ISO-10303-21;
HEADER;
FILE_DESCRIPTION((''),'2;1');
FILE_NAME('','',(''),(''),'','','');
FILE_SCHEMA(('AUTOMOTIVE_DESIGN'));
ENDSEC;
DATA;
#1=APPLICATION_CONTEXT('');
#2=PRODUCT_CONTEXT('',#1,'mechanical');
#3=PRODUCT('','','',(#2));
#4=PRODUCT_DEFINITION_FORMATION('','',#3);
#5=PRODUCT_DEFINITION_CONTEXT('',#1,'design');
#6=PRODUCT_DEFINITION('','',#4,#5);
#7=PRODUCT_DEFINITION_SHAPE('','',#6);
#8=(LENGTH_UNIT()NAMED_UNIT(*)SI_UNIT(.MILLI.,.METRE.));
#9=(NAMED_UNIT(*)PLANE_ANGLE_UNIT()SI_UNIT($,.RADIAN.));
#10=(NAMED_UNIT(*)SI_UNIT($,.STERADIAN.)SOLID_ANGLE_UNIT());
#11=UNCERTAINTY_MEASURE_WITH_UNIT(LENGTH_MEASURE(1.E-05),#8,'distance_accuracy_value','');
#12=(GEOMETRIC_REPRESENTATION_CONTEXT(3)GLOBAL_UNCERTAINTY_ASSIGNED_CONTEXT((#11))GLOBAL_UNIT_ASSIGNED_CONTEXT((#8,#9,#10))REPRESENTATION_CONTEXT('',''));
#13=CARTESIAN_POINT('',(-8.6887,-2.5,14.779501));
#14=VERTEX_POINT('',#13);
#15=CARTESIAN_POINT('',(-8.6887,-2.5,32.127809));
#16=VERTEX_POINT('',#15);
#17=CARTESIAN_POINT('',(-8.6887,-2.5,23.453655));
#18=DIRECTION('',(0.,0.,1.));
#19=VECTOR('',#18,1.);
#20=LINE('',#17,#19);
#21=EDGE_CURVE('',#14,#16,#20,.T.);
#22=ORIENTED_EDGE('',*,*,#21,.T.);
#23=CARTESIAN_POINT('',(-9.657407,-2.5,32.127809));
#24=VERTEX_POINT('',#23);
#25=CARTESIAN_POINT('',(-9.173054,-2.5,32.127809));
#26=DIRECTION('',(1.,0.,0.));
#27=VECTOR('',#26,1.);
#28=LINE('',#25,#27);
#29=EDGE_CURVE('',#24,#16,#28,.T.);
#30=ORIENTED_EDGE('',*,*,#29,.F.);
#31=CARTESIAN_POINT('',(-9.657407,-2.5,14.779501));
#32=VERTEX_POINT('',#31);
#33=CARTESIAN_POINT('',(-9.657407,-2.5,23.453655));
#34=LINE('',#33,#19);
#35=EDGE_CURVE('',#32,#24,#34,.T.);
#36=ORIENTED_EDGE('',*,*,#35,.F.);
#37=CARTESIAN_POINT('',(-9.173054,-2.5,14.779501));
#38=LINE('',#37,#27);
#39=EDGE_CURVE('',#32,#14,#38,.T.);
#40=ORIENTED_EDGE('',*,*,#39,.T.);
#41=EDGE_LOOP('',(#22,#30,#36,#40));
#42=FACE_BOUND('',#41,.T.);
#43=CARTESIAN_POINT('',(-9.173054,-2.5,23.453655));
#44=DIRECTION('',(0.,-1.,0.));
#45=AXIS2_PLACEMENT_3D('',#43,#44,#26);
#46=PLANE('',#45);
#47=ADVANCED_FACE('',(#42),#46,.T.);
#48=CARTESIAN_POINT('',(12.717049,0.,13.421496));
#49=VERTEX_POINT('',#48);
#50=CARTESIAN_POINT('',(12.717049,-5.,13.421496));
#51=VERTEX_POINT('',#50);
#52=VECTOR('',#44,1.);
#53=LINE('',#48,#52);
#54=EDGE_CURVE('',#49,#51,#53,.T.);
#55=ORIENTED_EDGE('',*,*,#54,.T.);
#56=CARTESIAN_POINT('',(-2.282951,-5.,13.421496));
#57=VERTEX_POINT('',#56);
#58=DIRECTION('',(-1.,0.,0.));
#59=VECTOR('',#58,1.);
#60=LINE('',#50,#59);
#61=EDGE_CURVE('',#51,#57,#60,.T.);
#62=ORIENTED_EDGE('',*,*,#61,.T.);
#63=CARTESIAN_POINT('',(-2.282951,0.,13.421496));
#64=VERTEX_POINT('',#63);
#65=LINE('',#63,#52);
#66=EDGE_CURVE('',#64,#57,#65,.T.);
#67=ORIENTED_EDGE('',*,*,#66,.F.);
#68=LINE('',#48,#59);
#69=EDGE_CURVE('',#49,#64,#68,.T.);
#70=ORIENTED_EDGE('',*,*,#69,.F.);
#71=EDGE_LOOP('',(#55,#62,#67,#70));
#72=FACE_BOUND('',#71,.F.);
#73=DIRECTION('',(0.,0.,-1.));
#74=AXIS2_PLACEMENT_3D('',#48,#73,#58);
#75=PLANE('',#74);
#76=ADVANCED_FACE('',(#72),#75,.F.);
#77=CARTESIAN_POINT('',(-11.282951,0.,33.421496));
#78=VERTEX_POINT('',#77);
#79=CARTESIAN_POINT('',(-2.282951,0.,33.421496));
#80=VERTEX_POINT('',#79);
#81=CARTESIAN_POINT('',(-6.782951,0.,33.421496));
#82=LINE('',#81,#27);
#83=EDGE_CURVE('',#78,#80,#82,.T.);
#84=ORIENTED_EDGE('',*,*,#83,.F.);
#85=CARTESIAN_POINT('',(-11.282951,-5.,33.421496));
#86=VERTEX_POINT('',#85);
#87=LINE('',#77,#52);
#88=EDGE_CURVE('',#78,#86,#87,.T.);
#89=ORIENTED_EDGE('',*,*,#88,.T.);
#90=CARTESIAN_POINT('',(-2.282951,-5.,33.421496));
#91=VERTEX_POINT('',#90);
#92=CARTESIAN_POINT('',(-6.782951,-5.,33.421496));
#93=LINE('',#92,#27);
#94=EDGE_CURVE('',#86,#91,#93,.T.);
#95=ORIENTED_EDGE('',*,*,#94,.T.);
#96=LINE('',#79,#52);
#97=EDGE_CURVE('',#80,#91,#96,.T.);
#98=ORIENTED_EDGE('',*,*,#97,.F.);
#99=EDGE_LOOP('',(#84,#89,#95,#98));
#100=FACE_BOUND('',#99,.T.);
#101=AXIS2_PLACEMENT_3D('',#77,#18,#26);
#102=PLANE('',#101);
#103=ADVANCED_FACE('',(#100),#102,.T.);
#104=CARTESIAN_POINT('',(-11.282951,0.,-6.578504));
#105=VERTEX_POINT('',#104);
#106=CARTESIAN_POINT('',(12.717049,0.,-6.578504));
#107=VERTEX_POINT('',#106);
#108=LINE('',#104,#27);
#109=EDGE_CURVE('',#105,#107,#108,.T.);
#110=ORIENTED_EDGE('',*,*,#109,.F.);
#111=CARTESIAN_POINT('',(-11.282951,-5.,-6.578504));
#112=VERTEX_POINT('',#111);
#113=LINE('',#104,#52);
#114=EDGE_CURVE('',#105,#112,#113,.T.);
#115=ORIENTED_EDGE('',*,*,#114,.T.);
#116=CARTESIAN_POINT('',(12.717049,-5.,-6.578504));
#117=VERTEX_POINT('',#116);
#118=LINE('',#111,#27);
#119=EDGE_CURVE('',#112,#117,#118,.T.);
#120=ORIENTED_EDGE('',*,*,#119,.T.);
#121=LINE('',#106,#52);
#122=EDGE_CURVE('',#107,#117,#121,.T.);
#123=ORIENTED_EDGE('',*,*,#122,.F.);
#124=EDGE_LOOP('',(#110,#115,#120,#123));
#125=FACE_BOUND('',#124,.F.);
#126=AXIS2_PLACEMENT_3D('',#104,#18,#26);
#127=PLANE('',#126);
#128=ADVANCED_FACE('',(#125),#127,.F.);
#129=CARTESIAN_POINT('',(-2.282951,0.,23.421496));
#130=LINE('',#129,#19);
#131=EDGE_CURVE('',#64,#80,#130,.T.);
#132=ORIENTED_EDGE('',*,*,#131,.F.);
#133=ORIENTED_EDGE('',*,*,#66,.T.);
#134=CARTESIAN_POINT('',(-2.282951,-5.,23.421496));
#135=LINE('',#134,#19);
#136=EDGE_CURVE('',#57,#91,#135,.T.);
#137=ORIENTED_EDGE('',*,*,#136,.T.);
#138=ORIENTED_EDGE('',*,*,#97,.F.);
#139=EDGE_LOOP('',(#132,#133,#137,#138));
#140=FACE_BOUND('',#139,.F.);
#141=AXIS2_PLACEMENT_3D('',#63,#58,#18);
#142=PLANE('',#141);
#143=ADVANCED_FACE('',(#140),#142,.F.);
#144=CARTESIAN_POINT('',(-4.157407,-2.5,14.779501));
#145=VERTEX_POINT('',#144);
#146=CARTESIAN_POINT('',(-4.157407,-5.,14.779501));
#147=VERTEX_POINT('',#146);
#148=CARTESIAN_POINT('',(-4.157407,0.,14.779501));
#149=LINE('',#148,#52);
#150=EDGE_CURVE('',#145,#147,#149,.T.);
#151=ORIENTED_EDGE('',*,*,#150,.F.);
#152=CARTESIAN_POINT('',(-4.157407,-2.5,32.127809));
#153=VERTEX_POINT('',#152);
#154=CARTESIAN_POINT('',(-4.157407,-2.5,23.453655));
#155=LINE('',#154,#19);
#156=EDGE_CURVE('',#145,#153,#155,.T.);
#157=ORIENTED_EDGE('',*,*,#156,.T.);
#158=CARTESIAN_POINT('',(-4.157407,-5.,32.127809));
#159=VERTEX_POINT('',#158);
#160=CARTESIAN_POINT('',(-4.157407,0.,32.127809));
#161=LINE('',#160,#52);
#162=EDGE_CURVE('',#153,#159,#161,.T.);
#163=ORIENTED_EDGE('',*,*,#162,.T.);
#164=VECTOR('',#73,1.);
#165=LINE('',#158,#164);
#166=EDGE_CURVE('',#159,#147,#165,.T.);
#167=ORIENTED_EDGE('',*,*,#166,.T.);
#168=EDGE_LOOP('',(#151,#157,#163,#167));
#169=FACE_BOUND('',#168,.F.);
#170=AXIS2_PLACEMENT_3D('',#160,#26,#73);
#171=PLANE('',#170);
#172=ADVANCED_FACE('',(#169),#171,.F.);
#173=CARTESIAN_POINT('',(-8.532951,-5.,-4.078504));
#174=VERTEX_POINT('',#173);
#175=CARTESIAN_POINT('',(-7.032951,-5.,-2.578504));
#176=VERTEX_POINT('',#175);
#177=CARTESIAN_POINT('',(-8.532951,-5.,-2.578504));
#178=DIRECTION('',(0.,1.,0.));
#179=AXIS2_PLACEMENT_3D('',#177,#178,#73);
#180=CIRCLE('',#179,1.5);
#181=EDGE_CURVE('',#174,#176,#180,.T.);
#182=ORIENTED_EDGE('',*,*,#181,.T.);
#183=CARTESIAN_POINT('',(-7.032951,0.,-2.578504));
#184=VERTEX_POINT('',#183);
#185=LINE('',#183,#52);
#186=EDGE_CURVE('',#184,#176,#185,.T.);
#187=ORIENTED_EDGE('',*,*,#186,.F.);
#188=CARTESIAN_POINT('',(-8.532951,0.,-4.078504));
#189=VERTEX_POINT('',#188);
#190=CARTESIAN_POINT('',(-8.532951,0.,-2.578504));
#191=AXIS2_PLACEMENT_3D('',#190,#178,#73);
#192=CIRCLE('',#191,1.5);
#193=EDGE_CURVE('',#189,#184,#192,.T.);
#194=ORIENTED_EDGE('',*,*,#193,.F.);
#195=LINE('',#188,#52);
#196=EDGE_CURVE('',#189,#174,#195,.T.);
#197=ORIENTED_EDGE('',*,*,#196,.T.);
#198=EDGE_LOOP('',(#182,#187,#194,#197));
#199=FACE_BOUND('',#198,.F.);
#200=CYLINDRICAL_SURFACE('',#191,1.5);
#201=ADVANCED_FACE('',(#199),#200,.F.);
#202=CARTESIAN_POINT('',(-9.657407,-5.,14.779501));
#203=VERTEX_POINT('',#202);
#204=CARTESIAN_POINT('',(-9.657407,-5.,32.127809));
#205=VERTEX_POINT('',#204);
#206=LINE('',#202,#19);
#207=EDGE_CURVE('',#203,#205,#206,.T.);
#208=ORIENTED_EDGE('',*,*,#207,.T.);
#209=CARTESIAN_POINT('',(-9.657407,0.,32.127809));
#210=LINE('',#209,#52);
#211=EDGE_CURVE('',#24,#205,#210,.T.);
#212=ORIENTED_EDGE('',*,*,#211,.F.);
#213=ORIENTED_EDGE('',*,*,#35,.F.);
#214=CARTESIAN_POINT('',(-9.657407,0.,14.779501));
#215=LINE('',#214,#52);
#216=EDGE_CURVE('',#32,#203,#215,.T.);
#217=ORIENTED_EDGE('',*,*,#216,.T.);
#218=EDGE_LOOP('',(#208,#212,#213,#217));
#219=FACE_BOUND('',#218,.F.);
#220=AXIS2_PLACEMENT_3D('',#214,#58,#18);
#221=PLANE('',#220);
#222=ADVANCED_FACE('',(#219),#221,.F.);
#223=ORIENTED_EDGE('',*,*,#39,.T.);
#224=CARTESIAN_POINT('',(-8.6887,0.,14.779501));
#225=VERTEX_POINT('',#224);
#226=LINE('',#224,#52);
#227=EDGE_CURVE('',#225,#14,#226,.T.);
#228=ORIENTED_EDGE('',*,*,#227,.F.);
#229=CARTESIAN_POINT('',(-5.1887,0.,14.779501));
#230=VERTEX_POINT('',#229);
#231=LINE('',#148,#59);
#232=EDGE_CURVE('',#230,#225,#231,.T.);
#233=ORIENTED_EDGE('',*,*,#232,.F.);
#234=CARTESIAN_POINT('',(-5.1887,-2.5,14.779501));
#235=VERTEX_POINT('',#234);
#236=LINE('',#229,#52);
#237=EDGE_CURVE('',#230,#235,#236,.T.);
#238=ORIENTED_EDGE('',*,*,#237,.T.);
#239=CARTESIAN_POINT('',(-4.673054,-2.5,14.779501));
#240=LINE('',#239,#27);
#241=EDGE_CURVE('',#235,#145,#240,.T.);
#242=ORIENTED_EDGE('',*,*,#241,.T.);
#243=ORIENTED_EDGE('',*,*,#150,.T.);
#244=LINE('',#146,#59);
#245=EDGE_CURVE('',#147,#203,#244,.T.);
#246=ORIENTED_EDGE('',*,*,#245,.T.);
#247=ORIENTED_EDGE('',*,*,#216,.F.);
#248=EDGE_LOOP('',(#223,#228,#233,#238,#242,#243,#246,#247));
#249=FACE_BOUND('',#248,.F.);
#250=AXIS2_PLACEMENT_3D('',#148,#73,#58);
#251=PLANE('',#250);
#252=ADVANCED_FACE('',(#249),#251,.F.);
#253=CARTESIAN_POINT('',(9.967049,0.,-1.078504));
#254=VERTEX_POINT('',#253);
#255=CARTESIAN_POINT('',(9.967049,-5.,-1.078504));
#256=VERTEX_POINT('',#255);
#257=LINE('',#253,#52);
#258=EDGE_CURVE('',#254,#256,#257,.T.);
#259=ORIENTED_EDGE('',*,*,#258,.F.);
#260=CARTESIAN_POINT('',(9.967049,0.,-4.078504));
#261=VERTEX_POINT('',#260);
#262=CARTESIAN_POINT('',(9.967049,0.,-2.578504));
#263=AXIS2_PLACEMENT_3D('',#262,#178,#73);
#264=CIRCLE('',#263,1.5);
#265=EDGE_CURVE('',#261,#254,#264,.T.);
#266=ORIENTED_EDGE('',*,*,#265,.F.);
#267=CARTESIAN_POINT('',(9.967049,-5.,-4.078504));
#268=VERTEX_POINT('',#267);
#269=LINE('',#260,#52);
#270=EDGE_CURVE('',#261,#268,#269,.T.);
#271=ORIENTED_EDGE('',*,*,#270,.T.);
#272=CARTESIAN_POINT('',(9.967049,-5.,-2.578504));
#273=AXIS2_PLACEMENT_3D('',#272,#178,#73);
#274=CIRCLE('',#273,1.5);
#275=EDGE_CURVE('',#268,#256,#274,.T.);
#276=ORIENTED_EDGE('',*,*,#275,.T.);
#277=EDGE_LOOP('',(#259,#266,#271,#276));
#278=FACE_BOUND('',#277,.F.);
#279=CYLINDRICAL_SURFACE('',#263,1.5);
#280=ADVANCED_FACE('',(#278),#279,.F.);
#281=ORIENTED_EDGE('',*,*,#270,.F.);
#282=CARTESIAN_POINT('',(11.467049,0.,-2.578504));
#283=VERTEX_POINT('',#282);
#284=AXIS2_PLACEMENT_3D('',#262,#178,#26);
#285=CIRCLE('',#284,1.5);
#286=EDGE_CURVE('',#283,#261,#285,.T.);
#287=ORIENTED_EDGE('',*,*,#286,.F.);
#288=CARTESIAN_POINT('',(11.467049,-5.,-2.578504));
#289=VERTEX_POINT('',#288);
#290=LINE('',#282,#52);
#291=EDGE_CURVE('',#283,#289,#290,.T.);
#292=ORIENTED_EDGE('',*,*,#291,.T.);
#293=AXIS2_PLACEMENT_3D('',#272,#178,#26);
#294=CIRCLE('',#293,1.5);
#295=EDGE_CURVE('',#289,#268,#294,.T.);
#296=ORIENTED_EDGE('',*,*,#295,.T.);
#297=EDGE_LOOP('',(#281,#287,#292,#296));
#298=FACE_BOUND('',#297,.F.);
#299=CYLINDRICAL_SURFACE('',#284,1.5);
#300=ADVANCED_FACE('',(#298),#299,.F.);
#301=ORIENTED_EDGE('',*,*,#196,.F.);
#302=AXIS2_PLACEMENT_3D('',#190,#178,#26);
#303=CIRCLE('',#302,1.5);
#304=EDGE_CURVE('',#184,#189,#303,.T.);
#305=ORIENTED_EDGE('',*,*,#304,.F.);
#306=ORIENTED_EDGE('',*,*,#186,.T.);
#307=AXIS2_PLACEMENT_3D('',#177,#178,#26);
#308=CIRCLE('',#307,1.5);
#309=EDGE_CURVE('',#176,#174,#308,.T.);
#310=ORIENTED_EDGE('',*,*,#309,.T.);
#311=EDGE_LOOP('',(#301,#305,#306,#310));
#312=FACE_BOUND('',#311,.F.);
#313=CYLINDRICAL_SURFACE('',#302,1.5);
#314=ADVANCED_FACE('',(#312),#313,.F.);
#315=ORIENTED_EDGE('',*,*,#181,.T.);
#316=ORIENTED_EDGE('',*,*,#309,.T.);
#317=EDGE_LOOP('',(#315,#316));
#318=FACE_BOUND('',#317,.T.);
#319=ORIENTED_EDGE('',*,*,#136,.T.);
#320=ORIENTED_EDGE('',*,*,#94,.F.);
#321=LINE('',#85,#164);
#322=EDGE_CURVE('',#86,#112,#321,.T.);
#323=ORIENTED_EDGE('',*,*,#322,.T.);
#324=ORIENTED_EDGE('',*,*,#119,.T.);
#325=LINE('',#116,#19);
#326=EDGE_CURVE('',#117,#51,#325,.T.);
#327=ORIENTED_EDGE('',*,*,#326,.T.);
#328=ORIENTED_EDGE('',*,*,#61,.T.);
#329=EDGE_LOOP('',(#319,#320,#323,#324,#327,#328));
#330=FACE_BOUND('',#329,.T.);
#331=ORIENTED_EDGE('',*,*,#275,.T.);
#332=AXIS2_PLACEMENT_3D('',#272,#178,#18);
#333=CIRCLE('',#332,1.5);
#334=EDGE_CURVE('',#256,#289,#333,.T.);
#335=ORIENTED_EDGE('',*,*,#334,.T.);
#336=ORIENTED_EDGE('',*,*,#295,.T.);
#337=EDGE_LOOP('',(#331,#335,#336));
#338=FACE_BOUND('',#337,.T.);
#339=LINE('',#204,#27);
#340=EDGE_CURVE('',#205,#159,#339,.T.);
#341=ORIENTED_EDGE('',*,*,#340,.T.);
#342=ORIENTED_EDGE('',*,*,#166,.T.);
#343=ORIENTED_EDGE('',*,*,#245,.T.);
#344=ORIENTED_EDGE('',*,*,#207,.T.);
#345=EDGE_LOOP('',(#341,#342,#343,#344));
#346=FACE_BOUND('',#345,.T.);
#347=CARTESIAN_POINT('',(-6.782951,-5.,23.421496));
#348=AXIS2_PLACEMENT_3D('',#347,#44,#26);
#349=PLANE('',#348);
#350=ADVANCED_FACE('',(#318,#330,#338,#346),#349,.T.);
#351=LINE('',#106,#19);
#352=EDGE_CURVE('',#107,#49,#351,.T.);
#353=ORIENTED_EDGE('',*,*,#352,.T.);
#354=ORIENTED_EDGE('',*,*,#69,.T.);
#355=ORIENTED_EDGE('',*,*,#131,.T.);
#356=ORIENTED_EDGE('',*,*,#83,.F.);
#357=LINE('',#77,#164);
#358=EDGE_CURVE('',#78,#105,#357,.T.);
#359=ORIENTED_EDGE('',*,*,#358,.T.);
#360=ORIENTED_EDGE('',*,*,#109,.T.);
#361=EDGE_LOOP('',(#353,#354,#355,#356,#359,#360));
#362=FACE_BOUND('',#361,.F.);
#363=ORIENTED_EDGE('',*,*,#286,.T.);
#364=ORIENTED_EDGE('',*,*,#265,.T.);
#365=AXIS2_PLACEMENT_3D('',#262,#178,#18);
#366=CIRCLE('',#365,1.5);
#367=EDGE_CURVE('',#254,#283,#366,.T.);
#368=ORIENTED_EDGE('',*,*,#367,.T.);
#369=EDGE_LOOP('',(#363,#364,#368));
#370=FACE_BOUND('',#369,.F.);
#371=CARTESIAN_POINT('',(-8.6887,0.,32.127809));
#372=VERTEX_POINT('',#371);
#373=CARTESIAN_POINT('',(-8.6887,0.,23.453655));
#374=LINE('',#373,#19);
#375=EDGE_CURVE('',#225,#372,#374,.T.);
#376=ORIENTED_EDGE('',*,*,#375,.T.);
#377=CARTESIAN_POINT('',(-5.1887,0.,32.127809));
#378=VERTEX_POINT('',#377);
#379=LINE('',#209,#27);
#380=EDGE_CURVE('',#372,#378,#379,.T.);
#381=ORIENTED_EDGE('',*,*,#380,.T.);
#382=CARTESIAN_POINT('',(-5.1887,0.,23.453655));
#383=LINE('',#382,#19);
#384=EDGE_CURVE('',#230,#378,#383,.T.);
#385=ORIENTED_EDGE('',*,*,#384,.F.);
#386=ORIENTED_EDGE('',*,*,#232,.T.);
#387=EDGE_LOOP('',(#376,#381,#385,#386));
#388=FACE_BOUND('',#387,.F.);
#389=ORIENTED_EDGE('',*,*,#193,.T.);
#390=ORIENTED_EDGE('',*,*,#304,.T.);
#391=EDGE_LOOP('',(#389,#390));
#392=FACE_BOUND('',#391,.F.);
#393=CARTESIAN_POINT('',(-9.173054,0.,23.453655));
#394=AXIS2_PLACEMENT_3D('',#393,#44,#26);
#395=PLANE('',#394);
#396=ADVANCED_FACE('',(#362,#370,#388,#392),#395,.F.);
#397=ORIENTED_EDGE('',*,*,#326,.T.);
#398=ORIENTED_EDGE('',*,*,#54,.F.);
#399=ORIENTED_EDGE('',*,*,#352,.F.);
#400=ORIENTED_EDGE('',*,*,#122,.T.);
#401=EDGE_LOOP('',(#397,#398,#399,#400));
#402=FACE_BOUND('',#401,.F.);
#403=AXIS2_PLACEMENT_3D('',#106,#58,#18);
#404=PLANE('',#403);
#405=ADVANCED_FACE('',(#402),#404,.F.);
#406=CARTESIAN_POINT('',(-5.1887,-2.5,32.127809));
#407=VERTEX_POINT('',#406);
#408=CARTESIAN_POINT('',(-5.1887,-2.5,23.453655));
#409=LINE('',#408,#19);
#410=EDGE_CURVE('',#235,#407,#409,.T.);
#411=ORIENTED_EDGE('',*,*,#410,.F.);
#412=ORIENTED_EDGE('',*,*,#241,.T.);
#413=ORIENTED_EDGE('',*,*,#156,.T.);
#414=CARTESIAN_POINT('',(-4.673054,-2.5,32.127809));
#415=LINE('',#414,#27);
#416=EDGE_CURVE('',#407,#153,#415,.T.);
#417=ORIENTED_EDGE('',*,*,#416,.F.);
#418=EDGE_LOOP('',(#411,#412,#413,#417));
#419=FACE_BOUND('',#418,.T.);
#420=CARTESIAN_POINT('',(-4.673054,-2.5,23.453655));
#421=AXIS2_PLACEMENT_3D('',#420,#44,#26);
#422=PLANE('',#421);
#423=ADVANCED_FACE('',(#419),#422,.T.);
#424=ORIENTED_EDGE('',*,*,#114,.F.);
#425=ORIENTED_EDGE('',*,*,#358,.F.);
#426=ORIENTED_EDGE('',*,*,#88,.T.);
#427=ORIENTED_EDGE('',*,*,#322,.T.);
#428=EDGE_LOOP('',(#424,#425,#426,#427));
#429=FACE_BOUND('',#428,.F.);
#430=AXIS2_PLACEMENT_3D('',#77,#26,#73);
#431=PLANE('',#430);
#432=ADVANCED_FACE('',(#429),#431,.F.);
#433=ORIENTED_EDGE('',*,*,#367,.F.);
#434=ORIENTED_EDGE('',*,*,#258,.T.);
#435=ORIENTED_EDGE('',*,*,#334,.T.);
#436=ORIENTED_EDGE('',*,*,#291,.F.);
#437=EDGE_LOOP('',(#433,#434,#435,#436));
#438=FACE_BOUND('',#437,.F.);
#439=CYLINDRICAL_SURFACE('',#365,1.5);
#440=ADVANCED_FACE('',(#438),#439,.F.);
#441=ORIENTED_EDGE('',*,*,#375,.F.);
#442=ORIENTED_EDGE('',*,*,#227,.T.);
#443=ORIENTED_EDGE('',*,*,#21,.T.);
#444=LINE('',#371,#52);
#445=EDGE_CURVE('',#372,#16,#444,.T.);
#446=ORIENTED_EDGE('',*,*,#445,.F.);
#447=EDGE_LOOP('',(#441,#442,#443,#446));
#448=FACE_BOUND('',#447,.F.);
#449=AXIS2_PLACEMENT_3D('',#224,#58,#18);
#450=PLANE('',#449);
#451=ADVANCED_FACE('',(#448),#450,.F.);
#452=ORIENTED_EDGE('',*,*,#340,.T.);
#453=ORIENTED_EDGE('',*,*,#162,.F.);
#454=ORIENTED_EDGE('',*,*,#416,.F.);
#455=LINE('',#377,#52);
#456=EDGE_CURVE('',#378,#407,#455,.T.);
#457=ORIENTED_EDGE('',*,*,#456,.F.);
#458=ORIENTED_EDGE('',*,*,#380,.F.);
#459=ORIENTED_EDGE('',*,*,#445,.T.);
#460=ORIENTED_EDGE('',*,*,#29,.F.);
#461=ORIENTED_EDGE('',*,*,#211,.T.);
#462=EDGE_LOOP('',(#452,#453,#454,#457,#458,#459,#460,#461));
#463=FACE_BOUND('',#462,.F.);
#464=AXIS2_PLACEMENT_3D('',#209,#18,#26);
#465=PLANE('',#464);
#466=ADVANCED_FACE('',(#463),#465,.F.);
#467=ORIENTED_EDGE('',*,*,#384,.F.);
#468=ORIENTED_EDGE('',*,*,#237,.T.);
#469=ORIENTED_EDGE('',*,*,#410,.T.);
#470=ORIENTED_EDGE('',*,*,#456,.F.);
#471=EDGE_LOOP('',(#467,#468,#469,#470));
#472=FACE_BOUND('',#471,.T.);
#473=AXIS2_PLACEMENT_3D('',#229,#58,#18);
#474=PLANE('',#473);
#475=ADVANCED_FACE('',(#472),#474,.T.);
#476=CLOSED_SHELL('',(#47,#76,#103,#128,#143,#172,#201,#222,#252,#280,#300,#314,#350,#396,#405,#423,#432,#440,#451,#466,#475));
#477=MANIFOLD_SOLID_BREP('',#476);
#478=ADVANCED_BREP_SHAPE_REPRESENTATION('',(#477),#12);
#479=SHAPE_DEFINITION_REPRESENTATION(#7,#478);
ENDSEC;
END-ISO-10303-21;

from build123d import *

# Parameters (mm, degrees)
F0_W     = 9
F0_H     = 20
F1_DEPTH = 5
F0_W_2   = 0.9687067941
F0_H_2   = 17.3483081162
F0_W_3   = 1.0312932059
F2_DEPTH = 2.5


with BuildPart() as f1:
    # F0 (on Front) → F1 (new body)
    with BuildSketch(Plane.XZ):
        with Locations((-6.7829505354, 23.421495545)):
            Rectangle(F0_W, F0_H)
        Polygon((-9.6574071795, 14.7795006633), (-9.6574071795, 32.1278087795), (-8.6887003854, 32.1278087795), (-5.1887003854, 32.1278087795), (-4.1574071795, 32.1278087795), (-4.1574071795, 14.7795006633), (-5.1887003854, 14.7795006633), (-8.6887003854, 14.7795006633), align=None, mode=Mode.SUBTRACT)
        Polygon((-2.2829505354, 13.421495545), (-11.2829505354, 13.421495545), (-11.2829505354, -6.578504455), (-8.5329505354, -6.578504455), (0.7170494646, -6.578504455), (9.9670494646, -6.578504455), (12.7170494646, -6.578504455), (12.7170494646, 13.421495545), align=None)
        with BuildLine():
            ThreePointArc((-7.0329505354, -2.578504455), (-7.4722903636, -3.6391646268), (-8.5329505354, -4.078504455))
            ThreePointArc((-8.5329505354, -4.078504455), (-9.5936107072, -1.5178442832), (-7.0329505354, -2.578504455))
        make_face(mode=Mode.SUBTRACT)
        with BuildLine():
            ThreePointArc((11.4670494646, -2.578504455), (11.0277096364, -3.6391646268), (9.9670494646, -4.078504455))
            ThreePointArc((9.9670494646, -4.078504455), (8.4670494646, -2.578504455), (9.9670494646, -1.078504455))
            ThreePointArc((9.9670494646, -1.078504455), (11.0277096364, -1.5178442832), (11.4670494646, -2.578504455))
        make_face(mode=Mode.SUBTRACT)
    extrude(amount=F1_DEPTH)

    # F0 (on Front) → F2 (join)
    with BuildSketch(Plane.XZ):
        with Locations((-9.1730537824, 23.4536547214)):
            Rectangle(F0_W_2, F0_H_2)
        with Locations((-4.6730537824, 23.4536547214)):
            Rectangle(F0_W_3, F0_H_2)
    extrude(amount=F2_DEPTH)


solid = f1.part
